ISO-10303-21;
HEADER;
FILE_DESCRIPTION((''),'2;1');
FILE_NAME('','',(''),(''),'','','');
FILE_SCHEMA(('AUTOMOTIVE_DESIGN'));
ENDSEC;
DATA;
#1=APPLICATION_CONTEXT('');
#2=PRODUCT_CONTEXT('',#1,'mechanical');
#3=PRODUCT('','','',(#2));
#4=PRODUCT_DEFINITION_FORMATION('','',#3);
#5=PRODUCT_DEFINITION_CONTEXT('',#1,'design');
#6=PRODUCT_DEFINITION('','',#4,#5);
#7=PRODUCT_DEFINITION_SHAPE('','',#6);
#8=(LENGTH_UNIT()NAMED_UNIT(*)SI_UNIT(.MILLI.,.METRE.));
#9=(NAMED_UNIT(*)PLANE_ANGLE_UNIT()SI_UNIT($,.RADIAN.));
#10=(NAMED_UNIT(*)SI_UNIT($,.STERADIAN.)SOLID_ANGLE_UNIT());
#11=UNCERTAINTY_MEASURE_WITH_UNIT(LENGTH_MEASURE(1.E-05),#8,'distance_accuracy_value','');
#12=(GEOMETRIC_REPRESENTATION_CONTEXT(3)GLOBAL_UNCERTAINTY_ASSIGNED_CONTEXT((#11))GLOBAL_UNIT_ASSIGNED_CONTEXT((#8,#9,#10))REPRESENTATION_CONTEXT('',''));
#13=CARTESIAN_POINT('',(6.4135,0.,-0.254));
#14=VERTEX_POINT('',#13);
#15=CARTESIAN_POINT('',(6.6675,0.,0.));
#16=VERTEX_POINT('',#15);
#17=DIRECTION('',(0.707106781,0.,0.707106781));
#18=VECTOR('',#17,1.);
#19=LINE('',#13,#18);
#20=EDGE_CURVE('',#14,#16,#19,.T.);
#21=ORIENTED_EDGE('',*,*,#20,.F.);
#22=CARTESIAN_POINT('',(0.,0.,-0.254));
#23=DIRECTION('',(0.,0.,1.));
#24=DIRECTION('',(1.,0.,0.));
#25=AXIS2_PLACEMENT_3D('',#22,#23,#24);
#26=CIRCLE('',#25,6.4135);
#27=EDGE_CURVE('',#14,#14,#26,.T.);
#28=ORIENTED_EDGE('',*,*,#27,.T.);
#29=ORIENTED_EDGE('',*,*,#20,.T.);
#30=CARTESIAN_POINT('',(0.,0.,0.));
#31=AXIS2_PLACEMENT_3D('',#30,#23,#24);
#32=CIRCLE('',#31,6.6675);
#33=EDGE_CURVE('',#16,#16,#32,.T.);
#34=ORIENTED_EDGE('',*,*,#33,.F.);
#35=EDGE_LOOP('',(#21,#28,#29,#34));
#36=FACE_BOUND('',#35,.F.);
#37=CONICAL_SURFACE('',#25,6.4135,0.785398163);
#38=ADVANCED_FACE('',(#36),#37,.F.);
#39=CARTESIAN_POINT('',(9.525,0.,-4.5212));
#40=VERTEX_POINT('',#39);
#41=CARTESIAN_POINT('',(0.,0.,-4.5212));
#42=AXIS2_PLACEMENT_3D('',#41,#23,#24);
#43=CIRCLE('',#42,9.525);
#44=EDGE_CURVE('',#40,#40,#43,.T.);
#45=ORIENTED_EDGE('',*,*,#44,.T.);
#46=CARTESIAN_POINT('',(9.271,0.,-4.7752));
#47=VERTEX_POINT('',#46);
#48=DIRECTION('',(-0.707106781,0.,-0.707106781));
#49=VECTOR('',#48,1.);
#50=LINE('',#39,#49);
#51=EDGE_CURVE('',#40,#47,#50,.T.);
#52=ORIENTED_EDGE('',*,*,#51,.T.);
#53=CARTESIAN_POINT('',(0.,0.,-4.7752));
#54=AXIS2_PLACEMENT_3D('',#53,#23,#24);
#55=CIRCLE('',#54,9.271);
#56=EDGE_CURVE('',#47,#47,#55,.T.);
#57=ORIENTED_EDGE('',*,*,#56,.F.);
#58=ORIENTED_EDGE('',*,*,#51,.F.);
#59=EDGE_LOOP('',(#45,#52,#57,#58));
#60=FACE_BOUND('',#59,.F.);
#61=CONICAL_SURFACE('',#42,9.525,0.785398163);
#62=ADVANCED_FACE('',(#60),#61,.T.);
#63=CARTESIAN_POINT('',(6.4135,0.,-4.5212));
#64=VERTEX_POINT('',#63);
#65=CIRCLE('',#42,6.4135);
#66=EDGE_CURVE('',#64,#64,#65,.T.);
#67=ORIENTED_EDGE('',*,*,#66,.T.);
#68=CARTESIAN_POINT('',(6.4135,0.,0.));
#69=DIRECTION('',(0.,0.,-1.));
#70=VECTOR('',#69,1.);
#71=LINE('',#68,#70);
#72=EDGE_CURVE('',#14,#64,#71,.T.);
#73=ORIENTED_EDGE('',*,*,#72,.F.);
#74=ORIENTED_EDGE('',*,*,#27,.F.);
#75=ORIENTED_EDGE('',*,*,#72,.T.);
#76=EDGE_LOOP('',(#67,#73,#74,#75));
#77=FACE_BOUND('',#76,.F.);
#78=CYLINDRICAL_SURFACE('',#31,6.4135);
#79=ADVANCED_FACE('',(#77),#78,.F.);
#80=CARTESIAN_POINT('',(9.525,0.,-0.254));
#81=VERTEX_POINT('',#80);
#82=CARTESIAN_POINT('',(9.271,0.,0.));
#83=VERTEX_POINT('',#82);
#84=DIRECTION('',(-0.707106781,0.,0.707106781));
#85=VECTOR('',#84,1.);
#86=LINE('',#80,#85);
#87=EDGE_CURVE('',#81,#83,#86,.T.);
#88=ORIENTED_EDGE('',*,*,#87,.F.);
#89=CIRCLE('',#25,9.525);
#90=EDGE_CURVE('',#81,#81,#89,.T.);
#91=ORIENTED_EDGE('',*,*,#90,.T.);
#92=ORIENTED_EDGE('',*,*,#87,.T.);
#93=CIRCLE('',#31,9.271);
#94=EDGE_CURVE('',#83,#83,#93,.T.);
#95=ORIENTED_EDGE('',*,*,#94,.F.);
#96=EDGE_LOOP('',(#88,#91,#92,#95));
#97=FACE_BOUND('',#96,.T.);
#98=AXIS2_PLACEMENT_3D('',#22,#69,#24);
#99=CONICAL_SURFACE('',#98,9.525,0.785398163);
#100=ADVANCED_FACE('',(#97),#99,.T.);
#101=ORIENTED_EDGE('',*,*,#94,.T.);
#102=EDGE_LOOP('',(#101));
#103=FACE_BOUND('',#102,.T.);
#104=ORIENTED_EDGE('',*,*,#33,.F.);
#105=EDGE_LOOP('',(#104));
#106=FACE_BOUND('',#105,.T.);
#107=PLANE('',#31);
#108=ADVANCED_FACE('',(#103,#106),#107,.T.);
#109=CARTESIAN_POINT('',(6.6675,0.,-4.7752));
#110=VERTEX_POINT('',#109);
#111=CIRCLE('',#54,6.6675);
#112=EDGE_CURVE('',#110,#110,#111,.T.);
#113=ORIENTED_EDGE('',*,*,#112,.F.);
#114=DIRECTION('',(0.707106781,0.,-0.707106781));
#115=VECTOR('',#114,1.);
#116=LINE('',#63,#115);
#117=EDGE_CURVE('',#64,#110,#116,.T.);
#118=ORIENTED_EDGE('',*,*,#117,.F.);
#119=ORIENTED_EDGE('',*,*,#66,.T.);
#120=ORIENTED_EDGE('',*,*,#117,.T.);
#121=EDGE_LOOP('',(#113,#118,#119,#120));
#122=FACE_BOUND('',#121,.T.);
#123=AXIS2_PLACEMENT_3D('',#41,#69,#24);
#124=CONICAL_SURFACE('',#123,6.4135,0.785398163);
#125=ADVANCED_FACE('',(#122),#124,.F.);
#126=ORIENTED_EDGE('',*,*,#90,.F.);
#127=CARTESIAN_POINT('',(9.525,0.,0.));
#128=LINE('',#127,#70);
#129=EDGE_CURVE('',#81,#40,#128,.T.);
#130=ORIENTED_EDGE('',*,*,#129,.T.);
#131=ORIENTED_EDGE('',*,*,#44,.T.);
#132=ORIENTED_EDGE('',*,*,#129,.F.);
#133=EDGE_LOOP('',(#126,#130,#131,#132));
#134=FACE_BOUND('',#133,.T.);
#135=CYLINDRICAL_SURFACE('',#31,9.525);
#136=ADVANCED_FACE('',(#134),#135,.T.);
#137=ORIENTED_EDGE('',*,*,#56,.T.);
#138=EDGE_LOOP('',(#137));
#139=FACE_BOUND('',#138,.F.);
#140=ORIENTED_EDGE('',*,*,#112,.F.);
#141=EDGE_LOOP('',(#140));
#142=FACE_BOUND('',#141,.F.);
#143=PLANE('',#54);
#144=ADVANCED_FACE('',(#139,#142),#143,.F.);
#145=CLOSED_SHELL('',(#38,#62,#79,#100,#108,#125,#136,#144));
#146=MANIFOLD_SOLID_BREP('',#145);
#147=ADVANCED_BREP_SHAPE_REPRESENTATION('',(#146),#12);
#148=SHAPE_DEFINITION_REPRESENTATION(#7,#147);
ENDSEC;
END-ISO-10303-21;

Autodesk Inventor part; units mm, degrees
ref_plane "YZ Plane" through (0, 0, 0) normal (1, 0, 0) x (0, 1, 0)
ref_plane "XZ Plane" through (0, 0, 0) normal (0, 1, 0) x (-1, 0, 0)
ref_plane "XY Plane" through (0, 0, 0) normal (0, 0, 1) x (1, 0, 0)
sketch "Sketch1" plane through (0, 0, 0) normal (0, 0, 1) x (1, 0, 0)
  circle A0 centre (0, 0) radius 6.4135
  circle A1 centre (0, 0) radius 9.525
  dimension "d0" = 12.827
  dimension "d1" = 19.05
extrude "Extrusion1" add sketch "Sketch1" against normal blind 4.7752
chamfer "Chamfer1" distance 0.254 angle 45 4 edges at (-9.525, 0, 0) (-6.4135, 0, 0) (-9.525, 0, -4.7752) (-6.4135, 0, -4.7752)
properties part number "am-2271" material "Nylon-6/6"
